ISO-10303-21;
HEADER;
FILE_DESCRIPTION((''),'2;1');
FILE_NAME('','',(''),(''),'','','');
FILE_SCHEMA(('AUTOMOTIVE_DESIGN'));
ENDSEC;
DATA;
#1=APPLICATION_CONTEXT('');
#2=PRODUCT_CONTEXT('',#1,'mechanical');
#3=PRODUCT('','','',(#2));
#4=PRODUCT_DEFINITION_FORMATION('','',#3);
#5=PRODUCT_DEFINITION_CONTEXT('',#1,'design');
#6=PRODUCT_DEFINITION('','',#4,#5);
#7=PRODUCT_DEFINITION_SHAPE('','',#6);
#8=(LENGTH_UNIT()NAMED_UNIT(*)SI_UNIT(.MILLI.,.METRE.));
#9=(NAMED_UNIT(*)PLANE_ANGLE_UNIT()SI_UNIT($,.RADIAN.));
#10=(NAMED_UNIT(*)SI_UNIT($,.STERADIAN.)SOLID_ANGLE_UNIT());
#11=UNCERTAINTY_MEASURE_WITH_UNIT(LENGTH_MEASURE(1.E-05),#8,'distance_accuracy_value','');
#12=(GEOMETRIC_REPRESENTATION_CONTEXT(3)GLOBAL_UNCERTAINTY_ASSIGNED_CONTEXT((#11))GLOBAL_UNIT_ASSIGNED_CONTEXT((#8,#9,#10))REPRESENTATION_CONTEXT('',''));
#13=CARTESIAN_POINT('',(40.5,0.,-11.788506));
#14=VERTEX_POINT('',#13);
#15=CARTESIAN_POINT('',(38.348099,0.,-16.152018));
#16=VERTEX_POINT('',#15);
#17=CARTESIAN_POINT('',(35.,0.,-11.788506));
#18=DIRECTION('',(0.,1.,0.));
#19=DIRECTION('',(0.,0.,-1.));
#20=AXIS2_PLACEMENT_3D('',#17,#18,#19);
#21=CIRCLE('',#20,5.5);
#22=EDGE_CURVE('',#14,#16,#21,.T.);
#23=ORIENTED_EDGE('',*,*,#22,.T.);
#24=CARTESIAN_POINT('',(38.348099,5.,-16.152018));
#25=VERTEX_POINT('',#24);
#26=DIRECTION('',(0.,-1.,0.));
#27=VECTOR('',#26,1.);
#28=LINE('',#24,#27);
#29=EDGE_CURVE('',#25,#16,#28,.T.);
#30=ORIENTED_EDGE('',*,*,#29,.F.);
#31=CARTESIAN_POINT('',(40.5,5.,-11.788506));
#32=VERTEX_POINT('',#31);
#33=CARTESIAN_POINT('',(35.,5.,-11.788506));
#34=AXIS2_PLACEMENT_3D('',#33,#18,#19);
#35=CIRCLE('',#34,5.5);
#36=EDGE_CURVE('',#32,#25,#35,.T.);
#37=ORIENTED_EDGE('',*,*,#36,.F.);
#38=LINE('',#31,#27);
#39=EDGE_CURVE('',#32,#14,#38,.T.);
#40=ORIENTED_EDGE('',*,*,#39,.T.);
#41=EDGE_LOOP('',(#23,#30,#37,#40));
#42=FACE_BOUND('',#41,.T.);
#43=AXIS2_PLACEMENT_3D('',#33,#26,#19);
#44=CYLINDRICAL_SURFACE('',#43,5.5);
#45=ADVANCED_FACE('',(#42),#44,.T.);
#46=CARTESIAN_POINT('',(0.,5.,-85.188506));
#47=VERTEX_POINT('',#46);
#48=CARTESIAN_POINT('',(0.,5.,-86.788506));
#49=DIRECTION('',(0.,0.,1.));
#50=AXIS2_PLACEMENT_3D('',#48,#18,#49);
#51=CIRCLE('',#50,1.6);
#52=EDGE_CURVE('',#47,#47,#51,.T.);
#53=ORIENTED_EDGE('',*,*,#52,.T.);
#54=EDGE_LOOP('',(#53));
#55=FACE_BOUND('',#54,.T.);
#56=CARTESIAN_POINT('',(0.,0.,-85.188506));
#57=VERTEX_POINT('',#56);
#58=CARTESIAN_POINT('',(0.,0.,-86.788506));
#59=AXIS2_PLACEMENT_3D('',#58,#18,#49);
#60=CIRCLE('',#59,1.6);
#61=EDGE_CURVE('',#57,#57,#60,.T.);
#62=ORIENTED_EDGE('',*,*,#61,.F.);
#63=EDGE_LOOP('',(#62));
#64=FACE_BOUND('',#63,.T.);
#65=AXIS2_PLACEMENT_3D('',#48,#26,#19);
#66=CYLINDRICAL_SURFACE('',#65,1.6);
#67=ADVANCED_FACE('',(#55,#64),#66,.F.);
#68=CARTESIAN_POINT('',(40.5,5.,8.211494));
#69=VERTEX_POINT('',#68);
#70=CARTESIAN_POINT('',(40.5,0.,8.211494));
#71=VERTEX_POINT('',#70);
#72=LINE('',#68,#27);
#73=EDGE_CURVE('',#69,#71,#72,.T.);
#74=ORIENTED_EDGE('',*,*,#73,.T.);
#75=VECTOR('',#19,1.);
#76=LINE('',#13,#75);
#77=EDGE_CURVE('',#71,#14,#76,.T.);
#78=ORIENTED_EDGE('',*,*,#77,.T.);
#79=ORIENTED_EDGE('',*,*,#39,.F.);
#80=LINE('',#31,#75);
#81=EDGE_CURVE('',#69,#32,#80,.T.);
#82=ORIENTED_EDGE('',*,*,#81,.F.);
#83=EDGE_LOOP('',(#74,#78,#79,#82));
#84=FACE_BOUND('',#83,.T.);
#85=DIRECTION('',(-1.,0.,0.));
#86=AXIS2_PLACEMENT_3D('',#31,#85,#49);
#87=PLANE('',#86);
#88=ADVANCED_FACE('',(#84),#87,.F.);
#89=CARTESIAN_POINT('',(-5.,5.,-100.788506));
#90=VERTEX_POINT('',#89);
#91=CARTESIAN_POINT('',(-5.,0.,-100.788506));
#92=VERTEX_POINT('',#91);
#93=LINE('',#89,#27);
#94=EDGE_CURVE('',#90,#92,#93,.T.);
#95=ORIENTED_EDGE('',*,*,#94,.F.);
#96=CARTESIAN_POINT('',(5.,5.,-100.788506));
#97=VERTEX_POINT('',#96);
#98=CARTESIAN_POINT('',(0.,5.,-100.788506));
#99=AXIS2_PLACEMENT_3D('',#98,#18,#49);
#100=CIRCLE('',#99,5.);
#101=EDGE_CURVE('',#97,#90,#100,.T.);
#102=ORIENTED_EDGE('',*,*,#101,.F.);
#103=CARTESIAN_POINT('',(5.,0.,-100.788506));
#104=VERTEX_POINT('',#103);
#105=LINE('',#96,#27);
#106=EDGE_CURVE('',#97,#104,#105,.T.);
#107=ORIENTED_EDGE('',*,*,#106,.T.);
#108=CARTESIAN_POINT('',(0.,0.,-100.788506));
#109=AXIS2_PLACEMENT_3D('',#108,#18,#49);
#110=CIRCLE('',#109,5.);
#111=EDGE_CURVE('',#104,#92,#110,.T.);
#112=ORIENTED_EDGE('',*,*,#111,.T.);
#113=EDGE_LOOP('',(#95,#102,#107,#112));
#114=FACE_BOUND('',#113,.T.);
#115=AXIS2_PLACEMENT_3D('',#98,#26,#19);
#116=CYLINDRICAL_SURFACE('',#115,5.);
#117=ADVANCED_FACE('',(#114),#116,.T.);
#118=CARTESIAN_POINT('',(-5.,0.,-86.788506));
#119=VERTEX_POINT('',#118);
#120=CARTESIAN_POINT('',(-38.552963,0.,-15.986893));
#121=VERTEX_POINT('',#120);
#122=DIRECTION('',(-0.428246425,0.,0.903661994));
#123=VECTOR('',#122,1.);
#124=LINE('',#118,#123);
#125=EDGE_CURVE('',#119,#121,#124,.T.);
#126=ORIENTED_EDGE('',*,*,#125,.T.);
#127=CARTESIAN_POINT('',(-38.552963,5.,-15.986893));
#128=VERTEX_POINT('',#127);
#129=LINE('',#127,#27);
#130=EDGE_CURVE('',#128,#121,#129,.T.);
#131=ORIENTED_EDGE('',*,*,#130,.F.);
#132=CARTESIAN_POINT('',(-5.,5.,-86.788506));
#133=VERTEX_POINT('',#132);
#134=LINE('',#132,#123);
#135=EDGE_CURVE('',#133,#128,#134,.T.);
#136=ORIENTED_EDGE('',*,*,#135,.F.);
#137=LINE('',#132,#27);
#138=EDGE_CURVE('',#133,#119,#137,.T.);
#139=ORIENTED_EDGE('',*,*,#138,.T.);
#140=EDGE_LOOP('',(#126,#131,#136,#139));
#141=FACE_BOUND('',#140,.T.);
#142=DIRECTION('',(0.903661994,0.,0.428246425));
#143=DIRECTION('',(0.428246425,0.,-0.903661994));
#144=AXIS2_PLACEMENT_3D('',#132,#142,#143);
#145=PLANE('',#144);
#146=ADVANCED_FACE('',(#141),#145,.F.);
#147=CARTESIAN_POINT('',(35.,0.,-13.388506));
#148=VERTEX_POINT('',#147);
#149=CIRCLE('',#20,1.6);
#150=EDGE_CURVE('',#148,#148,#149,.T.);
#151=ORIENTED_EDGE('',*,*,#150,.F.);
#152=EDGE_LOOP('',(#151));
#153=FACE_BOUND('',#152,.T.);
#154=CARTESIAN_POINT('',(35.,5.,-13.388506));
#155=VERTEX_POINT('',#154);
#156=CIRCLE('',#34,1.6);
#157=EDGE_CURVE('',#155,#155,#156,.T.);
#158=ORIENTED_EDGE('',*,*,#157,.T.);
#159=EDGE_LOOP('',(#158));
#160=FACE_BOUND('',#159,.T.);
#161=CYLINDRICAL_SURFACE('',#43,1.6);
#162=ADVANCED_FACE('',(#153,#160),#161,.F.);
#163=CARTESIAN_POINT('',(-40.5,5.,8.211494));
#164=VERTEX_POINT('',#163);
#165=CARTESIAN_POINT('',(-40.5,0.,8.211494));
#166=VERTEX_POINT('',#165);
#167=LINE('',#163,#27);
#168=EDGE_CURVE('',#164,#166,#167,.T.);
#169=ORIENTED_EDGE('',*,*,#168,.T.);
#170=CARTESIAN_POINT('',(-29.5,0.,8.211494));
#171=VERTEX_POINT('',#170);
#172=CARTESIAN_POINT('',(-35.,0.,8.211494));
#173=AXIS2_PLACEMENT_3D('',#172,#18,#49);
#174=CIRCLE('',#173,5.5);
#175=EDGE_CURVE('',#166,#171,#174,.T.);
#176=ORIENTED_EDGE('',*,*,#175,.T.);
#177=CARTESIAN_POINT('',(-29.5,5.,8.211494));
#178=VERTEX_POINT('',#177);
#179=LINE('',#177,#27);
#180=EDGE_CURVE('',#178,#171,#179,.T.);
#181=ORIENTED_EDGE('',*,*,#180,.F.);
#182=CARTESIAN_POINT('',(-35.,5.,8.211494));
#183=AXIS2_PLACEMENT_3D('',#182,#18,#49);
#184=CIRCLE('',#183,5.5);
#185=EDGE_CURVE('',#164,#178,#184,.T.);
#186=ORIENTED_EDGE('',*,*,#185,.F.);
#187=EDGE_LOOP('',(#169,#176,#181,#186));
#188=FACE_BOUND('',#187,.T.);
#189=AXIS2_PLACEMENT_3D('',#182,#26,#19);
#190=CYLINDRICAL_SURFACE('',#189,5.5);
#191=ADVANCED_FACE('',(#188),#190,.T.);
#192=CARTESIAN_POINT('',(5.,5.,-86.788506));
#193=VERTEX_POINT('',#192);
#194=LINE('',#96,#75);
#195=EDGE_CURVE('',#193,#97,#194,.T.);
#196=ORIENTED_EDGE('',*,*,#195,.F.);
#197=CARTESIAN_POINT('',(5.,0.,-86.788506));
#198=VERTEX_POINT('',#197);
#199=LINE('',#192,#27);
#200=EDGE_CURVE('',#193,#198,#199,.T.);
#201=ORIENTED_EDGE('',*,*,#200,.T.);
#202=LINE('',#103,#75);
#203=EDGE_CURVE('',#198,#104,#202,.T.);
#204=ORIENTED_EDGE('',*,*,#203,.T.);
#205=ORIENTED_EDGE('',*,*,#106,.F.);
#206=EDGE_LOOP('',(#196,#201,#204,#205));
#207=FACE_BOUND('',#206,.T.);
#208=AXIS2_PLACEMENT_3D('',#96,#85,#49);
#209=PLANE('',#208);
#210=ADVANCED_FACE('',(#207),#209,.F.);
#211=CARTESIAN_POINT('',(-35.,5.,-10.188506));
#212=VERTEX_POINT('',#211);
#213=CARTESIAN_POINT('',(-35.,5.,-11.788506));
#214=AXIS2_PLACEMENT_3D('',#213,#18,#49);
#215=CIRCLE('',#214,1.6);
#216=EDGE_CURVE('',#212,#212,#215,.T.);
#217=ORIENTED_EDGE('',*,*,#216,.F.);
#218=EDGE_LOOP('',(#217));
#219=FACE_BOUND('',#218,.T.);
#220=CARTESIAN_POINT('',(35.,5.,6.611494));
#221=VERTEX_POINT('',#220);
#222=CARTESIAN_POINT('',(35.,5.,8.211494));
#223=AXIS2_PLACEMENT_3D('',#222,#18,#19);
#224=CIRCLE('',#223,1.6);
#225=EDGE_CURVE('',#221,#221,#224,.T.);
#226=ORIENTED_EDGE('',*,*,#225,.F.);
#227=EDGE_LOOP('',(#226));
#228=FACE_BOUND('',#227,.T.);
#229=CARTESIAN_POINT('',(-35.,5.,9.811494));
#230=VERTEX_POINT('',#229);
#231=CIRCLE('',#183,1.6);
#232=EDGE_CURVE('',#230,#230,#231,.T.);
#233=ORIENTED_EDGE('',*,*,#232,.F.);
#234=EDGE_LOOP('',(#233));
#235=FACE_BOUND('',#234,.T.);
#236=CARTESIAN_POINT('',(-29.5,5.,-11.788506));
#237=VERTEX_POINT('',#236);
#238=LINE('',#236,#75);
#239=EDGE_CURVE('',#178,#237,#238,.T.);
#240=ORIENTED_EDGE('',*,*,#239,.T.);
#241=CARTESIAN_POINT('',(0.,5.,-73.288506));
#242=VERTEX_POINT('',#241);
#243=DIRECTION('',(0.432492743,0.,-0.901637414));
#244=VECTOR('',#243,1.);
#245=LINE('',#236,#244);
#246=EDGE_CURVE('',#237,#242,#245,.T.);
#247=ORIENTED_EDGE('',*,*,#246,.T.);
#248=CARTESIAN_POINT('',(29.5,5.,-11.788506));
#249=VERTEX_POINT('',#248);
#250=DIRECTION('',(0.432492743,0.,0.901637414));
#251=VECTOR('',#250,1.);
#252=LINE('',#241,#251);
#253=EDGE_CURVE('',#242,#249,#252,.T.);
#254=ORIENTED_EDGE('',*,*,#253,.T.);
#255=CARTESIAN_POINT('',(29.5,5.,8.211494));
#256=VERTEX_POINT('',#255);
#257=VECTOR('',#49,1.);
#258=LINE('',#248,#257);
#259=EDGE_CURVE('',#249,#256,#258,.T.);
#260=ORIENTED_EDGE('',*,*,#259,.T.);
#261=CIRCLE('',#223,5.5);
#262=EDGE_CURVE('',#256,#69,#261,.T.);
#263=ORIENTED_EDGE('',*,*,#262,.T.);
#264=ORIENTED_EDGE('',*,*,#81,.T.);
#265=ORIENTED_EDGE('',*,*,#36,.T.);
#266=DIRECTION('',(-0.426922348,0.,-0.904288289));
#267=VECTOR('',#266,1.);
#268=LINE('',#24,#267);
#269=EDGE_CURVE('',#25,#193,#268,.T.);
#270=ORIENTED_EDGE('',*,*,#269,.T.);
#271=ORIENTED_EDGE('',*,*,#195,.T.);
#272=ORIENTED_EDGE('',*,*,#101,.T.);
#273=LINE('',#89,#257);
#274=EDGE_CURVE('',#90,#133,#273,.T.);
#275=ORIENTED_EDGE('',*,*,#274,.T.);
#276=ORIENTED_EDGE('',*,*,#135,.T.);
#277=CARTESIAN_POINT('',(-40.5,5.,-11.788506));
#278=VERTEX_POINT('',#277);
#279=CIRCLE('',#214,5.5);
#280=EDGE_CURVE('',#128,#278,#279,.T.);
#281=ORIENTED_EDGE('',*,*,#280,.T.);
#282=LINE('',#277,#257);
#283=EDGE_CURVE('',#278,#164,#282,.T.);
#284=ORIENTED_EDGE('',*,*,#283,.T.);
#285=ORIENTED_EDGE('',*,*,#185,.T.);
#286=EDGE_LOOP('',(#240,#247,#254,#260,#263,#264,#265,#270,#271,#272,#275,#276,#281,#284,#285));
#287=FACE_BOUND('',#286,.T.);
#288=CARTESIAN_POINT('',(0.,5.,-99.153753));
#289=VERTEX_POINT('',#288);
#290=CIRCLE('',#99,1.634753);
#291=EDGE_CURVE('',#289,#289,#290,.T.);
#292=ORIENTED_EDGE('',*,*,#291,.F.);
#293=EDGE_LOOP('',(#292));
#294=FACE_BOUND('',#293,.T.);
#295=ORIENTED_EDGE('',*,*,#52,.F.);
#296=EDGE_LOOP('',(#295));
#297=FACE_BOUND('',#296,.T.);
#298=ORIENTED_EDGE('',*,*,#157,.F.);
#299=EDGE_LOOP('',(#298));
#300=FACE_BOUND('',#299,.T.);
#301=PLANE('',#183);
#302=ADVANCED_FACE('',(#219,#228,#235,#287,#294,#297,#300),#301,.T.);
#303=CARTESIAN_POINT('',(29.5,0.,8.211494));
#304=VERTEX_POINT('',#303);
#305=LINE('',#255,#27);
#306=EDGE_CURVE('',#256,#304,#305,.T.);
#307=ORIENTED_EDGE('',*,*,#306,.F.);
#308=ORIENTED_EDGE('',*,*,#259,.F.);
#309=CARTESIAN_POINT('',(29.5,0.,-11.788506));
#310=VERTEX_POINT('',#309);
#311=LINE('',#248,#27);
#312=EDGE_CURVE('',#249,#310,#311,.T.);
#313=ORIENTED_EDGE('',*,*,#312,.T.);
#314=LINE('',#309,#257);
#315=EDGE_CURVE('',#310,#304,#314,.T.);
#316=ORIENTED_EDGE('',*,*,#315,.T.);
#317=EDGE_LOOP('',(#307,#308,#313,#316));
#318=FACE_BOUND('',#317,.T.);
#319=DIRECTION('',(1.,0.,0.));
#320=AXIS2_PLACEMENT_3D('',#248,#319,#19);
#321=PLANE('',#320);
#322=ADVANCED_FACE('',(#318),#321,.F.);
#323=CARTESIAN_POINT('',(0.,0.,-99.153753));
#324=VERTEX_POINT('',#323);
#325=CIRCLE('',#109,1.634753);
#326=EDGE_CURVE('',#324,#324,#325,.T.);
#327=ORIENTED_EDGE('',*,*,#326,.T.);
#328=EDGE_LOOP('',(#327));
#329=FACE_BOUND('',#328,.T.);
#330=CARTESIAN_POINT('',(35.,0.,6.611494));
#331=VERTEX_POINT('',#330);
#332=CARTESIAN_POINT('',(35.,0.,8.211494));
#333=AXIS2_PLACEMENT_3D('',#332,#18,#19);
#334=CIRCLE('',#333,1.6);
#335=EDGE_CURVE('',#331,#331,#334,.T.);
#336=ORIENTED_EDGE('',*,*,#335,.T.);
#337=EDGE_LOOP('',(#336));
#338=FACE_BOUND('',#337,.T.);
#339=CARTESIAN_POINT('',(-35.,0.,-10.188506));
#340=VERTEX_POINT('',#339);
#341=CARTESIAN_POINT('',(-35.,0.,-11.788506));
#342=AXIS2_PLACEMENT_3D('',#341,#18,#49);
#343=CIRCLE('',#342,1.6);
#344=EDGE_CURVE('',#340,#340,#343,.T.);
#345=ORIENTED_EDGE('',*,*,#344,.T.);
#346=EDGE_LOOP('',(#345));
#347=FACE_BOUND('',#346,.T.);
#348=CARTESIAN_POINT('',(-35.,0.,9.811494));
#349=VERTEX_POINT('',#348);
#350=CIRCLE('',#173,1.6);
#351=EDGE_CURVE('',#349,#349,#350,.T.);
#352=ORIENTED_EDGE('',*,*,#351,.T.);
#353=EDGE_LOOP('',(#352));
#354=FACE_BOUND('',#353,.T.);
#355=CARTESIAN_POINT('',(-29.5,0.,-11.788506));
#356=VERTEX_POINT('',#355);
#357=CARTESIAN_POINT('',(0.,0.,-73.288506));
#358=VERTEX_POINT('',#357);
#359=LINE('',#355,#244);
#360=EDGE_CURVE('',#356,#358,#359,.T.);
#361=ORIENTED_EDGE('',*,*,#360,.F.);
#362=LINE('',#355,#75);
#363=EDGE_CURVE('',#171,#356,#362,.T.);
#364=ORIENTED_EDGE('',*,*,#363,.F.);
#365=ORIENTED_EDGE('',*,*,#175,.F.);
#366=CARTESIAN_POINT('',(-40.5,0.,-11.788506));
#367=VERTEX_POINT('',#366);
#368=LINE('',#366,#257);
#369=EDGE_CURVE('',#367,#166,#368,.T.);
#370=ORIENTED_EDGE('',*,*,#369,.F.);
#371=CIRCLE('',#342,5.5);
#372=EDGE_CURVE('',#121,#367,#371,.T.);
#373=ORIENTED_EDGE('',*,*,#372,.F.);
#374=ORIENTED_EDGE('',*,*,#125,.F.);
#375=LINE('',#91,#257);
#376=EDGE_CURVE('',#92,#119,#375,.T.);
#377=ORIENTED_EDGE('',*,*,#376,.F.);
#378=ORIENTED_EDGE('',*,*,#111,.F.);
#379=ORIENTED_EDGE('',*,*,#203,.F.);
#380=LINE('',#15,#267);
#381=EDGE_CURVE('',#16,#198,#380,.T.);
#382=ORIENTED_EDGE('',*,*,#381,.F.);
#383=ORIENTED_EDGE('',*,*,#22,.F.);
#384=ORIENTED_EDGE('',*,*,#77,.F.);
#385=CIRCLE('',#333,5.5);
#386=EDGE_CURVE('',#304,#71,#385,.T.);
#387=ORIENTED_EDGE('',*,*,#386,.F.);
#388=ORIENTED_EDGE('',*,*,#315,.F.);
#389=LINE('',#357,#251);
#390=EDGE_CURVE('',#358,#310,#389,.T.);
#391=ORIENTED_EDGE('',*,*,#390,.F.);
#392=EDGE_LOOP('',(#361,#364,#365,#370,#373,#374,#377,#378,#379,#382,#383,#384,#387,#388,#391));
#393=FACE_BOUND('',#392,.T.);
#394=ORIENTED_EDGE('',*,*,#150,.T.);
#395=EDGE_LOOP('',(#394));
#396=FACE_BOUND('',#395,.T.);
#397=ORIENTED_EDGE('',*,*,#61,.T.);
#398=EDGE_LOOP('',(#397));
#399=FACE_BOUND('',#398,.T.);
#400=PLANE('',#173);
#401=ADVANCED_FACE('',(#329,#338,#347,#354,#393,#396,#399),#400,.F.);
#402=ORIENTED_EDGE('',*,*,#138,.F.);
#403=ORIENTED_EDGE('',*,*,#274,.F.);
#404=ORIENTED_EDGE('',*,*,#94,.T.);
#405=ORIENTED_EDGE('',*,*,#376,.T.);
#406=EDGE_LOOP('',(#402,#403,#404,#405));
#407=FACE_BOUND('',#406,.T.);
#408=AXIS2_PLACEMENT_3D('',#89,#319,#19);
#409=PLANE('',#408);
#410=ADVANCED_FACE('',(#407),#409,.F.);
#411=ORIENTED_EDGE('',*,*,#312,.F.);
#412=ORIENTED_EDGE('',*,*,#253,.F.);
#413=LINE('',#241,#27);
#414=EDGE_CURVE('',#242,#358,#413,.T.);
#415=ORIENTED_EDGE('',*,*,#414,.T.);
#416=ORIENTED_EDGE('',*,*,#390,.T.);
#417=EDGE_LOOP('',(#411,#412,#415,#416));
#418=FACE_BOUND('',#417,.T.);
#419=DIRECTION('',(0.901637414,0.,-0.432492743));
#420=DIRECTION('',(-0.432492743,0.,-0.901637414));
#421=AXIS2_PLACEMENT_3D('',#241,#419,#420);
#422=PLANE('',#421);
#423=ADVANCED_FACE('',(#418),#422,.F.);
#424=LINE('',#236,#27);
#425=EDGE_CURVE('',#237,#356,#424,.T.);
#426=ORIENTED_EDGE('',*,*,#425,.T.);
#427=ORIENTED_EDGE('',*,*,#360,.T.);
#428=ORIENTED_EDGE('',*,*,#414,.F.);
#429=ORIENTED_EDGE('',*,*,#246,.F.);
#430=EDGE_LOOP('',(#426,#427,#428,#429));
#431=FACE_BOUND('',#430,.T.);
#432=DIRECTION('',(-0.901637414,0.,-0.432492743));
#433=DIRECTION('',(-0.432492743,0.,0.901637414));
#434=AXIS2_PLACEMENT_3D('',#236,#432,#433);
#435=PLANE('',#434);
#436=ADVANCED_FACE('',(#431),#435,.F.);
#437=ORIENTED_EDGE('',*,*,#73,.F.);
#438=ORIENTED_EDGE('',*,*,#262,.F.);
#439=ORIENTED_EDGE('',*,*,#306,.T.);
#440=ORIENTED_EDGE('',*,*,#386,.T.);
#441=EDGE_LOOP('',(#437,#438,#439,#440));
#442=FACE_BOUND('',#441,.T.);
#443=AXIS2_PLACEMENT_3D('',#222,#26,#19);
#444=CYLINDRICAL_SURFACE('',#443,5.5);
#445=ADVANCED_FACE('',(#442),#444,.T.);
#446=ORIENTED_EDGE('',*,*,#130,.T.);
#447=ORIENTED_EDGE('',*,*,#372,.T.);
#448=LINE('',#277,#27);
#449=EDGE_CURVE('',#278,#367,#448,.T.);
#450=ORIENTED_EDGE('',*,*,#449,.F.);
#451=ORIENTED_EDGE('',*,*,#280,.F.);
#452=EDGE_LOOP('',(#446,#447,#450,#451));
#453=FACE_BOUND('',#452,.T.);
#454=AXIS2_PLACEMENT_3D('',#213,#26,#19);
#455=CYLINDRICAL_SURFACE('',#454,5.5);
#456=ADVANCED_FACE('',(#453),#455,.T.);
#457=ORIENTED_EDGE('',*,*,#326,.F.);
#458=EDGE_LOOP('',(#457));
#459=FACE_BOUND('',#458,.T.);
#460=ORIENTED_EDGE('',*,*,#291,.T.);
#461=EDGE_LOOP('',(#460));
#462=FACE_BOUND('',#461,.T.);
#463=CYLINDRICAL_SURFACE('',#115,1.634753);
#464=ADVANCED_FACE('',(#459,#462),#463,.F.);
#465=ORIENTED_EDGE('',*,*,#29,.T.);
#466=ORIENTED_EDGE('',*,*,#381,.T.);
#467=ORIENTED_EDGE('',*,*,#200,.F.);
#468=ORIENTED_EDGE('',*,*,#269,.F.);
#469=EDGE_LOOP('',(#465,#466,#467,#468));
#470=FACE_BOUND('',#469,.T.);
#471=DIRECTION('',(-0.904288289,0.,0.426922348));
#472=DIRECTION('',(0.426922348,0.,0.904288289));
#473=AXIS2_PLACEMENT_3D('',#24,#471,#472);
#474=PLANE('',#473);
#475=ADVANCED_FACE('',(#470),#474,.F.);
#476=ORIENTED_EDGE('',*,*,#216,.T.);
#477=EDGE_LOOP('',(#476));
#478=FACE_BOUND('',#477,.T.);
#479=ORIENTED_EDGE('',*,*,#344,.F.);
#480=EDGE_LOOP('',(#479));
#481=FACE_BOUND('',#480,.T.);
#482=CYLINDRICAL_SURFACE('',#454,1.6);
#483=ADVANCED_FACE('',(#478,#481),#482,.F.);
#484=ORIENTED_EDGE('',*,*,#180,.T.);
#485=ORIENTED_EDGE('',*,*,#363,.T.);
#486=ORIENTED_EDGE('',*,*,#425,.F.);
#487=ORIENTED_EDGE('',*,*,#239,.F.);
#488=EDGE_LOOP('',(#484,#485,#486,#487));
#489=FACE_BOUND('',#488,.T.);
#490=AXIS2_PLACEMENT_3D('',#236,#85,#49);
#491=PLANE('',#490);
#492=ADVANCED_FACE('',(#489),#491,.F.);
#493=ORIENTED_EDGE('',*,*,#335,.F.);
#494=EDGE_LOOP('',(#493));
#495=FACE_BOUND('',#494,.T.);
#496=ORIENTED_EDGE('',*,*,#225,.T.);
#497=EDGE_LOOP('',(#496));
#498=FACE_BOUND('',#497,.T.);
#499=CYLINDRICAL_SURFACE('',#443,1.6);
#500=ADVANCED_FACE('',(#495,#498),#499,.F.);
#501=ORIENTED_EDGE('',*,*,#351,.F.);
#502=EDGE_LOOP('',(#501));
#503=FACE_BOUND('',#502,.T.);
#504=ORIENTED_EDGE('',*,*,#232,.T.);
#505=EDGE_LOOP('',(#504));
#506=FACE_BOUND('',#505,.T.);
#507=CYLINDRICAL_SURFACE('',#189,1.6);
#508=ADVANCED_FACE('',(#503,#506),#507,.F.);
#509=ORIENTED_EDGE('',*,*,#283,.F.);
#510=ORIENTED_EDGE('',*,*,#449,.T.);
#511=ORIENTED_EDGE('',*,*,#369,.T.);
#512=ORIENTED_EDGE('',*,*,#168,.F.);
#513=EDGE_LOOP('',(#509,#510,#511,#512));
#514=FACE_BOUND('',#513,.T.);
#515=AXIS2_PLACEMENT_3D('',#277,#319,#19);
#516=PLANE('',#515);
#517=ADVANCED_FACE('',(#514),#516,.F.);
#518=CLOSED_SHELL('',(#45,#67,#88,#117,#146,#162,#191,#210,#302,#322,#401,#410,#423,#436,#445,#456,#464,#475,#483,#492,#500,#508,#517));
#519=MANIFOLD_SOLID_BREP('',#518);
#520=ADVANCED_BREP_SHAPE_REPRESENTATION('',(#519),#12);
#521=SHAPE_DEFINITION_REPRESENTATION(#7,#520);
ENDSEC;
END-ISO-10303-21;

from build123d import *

# Parameters (mm, degrees)
SKETCH_1_R      = 1.6
SKETCH_1_R_2    = 1.634753067
EXTRUDE_1_DEPTH = 5


with BuildPart() as part:
    # 草图1 → 凸台-拉伸1 (new body)
    with BuildSketch(Plane(origin=(0, 0, 0), x_dir=(1, 0, 0), z_dir=(0, 1, 0))):
        with BuildLine():
            Line((-29.5, 11.78850637), (-29.5, -8.21149363))
            ThreePointArc((-29.5, -8.21149363), (-35, -13.71149363), (-40.5, -8.21149363))
            Line((-40.5, -8.21149363), (-40.5, 11.78850637))
            ThreePointArc((-40.5, 11.78850637), (-39.989553993, 14.102453419), (-38.552963292, 15.986893184))
            Line((-38.552963292, 15.986893184), (-5, 86.78850637))
            Line((-5, 86.78850637), (-5, 100.78850637))
            ThreePointArc((-5, 100.78850637), (0, 105.78850637), (5, 100.78850637))
            Line((5, 100.78850637), (5, 86.78850637))
            Line((5, 86.78850637), (38.348099221, 16.152017755))
            ThreePointArc((38.348099221, 16.152017755), (39.932775371, 14.221144268), (40.5, 11.78850637))
            Line((40.5, 11.78850637), (40.5, -8.21149363))
            ThreePointArc((40.5, -8.21149363), (35, -13.71149363), (29.5, -8.21149363))
            Line((29.5, -8.21149363), (29.5, 11.78850637))
            Line((29.5, 11.78850637), (0, 73.28850637))
            Line((0, 73.28850637), (-29.5, 11.78850637))
        make_face()
        with Locations((-35, -8.21149363)):
            Circle(SKETCH_1_R, mode=Mode.SUBTRACT)
        with Locations((-35, 11.78850637)):
            Circle(SKETCH_1_R, mode=Mode.SUBTRACT)
        with Locations((35, 11.78850637)):
            Circle(SKETCH_1_R, mode=Mode.SUBTRACT)
        with Locations((35, -8.21149363)):
            Circle(SKETCH_1_R, mode=Mode.SUBTRACT)
        with Locations((0, 100.78850637)):
            Circle(SKETCH_1_R_2, mode=Mode.SUBTRACT)
        with Locations((0, 86.78850637)):
            Circle(SKETCH_1_R, mode=Mode.SUBTRACT)
    extrude(amount=EXTRUDE_1_DEPTH)


solid = part.part
